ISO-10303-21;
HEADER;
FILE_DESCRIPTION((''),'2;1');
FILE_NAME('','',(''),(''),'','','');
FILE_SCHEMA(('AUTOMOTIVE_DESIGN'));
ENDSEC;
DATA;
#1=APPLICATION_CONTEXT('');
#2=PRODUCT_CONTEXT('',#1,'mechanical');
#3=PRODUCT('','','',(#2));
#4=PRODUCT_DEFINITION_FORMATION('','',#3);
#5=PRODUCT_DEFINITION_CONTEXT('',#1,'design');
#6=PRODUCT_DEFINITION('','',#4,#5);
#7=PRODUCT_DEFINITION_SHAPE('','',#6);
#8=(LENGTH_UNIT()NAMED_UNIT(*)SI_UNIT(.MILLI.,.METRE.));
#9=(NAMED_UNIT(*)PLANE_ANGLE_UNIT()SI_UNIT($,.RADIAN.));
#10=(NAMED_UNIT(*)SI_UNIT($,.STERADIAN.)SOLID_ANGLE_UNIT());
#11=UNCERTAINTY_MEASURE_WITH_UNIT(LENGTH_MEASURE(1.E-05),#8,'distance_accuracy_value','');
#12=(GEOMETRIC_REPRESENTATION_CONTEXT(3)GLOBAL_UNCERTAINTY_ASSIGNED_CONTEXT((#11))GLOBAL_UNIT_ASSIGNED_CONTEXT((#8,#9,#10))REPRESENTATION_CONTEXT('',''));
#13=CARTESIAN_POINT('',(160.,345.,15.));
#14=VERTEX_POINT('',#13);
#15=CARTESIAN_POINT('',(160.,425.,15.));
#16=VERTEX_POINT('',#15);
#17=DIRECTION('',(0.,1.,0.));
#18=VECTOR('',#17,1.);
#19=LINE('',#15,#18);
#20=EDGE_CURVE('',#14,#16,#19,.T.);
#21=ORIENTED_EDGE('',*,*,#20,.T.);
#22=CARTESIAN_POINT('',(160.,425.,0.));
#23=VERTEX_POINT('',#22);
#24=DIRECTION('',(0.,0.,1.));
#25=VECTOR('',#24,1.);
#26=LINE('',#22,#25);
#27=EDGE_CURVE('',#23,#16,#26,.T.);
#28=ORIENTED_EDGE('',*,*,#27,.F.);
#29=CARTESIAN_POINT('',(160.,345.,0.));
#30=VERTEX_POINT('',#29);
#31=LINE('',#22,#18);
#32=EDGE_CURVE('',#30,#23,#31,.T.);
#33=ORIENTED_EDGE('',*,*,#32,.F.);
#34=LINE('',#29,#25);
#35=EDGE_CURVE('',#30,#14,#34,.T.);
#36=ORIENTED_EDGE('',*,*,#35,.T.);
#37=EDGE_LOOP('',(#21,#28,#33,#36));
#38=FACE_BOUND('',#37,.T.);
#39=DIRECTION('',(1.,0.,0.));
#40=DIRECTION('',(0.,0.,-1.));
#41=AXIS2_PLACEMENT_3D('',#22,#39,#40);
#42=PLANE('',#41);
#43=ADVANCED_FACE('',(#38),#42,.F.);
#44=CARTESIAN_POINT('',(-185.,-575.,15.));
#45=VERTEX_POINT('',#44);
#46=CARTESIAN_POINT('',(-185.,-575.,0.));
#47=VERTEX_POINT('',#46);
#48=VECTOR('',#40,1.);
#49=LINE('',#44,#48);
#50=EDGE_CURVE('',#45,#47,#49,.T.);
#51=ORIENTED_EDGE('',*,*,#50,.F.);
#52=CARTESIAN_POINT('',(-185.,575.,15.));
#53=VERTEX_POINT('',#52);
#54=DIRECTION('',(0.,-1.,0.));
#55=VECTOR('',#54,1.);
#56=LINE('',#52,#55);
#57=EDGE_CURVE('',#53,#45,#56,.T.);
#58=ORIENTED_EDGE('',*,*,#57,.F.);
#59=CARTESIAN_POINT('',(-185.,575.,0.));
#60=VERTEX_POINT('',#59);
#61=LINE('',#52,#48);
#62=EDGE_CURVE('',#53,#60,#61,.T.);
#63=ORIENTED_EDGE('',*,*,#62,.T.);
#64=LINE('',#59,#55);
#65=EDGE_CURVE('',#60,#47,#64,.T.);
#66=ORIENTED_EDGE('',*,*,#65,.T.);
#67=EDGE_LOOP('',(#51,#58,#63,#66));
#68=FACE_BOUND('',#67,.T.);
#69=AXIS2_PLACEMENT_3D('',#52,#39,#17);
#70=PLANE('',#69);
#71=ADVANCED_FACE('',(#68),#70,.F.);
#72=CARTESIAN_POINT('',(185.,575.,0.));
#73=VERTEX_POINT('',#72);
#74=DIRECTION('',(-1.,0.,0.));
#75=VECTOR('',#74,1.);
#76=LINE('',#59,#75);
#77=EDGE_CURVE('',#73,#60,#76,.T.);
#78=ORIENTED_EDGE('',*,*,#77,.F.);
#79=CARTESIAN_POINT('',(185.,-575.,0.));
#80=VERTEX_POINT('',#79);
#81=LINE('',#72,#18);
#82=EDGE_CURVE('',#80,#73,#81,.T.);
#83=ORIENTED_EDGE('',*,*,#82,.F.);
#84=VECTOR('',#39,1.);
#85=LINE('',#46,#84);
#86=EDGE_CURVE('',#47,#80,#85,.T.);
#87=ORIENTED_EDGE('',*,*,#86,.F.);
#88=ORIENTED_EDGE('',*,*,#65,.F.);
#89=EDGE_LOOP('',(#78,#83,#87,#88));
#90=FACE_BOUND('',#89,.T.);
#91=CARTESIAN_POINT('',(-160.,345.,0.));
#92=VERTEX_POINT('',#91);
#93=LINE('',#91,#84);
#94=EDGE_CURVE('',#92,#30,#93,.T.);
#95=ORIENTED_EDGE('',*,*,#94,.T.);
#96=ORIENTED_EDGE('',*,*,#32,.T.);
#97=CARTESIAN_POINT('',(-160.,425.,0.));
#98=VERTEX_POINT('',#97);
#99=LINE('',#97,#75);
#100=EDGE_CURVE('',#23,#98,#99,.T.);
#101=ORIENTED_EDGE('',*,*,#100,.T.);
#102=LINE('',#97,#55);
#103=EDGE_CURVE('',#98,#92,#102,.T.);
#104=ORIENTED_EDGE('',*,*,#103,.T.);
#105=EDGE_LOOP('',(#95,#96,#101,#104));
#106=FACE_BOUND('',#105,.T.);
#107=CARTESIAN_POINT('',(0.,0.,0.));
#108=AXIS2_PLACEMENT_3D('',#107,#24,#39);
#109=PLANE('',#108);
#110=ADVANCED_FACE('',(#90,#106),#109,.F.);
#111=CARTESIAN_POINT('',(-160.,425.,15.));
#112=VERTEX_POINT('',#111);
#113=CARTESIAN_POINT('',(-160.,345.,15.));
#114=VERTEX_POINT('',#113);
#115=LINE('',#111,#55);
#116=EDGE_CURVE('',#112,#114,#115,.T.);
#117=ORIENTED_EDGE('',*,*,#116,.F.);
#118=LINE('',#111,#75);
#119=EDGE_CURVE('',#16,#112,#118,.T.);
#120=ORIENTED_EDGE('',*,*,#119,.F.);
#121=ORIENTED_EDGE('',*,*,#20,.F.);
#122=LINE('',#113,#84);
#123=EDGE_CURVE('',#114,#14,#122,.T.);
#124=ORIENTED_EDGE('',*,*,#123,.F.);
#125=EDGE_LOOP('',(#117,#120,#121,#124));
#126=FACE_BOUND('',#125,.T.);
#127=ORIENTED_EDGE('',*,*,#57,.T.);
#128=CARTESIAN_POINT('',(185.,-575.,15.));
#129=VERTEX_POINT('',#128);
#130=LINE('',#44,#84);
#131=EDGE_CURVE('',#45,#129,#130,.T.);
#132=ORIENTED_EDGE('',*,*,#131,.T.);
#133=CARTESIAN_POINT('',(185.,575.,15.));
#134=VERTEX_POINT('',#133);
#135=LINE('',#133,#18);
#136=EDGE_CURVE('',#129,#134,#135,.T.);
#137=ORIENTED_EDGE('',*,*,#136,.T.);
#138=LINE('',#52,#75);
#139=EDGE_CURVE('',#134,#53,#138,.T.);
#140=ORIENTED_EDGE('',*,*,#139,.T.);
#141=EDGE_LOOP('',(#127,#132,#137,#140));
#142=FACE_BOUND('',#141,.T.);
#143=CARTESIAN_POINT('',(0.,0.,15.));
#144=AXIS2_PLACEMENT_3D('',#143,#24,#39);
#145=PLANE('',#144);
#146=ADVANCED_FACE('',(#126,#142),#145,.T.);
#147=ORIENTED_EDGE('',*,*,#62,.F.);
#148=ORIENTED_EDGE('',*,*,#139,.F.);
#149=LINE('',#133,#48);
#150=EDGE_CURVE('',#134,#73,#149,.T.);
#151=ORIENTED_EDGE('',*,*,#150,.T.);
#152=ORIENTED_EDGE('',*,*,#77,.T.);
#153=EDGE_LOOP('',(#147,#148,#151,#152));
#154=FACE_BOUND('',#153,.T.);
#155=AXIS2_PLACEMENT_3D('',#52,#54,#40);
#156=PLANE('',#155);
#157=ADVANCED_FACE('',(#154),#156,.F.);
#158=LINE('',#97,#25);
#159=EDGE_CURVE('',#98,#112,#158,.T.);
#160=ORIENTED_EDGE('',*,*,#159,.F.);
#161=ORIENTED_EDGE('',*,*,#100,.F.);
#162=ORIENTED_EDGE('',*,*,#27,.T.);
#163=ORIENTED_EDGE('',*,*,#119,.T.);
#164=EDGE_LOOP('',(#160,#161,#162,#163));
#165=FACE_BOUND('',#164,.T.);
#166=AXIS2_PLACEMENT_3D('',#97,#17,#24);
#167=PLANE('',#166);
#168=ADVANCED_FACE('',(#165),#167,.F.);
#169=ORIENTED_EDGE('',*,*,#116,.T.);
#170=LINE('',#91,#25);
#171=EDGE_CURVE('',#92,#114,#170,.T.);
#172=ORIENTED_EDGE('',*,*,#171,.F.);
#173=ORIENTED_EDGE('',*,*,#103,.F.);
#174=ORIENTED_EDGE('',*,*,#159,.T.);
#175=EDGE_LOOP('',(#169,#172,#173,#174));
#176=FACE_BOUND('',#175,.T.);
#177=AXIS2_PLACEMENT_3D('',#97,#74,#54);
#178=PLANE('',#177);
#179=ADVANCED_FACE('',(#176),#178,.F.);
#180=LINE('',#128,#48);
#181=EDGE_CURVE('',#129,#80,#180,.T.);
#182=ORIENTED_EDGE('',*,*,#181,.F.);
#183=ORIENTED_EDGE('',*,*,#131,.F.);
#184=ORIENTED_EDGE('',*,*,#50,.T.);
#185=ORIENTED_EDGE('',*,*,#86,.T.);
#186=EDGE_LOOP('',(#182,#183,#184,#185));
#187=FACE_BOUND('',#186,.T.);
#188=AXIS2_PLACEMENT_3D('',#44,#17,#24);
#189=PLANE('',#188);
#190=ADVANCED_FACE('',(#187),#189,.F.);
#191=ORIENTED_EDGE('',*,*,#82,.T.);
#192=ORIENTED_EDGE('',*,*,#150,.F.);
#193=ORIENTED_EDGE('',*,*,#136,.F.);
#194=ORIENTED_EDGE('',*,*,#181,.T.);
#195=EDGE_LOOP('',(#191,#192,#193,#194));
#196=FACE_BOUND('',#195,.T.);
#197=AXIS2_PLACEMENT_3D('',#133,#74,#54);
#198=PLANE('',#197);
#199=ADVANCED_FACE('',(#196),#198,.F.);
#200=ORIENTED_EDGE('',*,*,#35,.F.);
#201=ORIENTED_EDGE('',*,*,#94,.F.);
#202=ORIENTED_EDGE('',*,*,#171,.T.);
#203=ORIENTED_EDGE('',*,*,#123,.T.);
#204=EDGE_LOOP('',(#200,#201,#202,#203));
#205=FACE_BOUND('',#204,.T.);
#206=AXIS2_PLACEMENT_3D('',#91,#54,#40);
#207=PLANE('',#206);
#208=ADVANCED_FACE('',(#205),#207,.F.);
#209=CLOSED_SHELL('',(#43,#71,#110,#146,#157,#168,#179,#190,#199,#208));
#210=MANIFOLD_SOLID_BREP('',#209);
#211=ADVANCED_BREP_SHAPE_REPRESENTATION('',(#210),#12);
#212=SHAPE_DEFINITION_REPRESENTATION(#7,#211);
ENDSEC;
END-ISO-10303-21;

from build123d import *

# Parameters (mm, degrees)
ESBO_O1_W                = 370
ESBO_O1_H                = 1150
RESSALTO_EXTRUS_O1_DEPTH = 15
ESBO_O2_W                = 320
ESBO_O2_H                = 80
CORTE_EXTRUS_O1_DEPTH    = 15


with BuildPart() as part:
    # Esboço1 → Ressalto-extrusão1 (new body)
    with BuildSketch(Plane.XY):
        Rectangle(ESBO_O1_W, ESBO_O1_H)
    extrude(amount=RESSALTO_EXTRUS_O1_DEPTH)

    # Esboço2 → Corte-extrusão1 (cut)
    with BuildSketch(Plane.XY.offset(15)):
        with Locations((0, 385)):
            Rectangle(ESBO_O2_W, ESBO_O2_H)
    extrude(amount=-CORTE_EXTRUS_O1_DEPTH, mode=Mode.SUBTRACT)


solid = part.part
